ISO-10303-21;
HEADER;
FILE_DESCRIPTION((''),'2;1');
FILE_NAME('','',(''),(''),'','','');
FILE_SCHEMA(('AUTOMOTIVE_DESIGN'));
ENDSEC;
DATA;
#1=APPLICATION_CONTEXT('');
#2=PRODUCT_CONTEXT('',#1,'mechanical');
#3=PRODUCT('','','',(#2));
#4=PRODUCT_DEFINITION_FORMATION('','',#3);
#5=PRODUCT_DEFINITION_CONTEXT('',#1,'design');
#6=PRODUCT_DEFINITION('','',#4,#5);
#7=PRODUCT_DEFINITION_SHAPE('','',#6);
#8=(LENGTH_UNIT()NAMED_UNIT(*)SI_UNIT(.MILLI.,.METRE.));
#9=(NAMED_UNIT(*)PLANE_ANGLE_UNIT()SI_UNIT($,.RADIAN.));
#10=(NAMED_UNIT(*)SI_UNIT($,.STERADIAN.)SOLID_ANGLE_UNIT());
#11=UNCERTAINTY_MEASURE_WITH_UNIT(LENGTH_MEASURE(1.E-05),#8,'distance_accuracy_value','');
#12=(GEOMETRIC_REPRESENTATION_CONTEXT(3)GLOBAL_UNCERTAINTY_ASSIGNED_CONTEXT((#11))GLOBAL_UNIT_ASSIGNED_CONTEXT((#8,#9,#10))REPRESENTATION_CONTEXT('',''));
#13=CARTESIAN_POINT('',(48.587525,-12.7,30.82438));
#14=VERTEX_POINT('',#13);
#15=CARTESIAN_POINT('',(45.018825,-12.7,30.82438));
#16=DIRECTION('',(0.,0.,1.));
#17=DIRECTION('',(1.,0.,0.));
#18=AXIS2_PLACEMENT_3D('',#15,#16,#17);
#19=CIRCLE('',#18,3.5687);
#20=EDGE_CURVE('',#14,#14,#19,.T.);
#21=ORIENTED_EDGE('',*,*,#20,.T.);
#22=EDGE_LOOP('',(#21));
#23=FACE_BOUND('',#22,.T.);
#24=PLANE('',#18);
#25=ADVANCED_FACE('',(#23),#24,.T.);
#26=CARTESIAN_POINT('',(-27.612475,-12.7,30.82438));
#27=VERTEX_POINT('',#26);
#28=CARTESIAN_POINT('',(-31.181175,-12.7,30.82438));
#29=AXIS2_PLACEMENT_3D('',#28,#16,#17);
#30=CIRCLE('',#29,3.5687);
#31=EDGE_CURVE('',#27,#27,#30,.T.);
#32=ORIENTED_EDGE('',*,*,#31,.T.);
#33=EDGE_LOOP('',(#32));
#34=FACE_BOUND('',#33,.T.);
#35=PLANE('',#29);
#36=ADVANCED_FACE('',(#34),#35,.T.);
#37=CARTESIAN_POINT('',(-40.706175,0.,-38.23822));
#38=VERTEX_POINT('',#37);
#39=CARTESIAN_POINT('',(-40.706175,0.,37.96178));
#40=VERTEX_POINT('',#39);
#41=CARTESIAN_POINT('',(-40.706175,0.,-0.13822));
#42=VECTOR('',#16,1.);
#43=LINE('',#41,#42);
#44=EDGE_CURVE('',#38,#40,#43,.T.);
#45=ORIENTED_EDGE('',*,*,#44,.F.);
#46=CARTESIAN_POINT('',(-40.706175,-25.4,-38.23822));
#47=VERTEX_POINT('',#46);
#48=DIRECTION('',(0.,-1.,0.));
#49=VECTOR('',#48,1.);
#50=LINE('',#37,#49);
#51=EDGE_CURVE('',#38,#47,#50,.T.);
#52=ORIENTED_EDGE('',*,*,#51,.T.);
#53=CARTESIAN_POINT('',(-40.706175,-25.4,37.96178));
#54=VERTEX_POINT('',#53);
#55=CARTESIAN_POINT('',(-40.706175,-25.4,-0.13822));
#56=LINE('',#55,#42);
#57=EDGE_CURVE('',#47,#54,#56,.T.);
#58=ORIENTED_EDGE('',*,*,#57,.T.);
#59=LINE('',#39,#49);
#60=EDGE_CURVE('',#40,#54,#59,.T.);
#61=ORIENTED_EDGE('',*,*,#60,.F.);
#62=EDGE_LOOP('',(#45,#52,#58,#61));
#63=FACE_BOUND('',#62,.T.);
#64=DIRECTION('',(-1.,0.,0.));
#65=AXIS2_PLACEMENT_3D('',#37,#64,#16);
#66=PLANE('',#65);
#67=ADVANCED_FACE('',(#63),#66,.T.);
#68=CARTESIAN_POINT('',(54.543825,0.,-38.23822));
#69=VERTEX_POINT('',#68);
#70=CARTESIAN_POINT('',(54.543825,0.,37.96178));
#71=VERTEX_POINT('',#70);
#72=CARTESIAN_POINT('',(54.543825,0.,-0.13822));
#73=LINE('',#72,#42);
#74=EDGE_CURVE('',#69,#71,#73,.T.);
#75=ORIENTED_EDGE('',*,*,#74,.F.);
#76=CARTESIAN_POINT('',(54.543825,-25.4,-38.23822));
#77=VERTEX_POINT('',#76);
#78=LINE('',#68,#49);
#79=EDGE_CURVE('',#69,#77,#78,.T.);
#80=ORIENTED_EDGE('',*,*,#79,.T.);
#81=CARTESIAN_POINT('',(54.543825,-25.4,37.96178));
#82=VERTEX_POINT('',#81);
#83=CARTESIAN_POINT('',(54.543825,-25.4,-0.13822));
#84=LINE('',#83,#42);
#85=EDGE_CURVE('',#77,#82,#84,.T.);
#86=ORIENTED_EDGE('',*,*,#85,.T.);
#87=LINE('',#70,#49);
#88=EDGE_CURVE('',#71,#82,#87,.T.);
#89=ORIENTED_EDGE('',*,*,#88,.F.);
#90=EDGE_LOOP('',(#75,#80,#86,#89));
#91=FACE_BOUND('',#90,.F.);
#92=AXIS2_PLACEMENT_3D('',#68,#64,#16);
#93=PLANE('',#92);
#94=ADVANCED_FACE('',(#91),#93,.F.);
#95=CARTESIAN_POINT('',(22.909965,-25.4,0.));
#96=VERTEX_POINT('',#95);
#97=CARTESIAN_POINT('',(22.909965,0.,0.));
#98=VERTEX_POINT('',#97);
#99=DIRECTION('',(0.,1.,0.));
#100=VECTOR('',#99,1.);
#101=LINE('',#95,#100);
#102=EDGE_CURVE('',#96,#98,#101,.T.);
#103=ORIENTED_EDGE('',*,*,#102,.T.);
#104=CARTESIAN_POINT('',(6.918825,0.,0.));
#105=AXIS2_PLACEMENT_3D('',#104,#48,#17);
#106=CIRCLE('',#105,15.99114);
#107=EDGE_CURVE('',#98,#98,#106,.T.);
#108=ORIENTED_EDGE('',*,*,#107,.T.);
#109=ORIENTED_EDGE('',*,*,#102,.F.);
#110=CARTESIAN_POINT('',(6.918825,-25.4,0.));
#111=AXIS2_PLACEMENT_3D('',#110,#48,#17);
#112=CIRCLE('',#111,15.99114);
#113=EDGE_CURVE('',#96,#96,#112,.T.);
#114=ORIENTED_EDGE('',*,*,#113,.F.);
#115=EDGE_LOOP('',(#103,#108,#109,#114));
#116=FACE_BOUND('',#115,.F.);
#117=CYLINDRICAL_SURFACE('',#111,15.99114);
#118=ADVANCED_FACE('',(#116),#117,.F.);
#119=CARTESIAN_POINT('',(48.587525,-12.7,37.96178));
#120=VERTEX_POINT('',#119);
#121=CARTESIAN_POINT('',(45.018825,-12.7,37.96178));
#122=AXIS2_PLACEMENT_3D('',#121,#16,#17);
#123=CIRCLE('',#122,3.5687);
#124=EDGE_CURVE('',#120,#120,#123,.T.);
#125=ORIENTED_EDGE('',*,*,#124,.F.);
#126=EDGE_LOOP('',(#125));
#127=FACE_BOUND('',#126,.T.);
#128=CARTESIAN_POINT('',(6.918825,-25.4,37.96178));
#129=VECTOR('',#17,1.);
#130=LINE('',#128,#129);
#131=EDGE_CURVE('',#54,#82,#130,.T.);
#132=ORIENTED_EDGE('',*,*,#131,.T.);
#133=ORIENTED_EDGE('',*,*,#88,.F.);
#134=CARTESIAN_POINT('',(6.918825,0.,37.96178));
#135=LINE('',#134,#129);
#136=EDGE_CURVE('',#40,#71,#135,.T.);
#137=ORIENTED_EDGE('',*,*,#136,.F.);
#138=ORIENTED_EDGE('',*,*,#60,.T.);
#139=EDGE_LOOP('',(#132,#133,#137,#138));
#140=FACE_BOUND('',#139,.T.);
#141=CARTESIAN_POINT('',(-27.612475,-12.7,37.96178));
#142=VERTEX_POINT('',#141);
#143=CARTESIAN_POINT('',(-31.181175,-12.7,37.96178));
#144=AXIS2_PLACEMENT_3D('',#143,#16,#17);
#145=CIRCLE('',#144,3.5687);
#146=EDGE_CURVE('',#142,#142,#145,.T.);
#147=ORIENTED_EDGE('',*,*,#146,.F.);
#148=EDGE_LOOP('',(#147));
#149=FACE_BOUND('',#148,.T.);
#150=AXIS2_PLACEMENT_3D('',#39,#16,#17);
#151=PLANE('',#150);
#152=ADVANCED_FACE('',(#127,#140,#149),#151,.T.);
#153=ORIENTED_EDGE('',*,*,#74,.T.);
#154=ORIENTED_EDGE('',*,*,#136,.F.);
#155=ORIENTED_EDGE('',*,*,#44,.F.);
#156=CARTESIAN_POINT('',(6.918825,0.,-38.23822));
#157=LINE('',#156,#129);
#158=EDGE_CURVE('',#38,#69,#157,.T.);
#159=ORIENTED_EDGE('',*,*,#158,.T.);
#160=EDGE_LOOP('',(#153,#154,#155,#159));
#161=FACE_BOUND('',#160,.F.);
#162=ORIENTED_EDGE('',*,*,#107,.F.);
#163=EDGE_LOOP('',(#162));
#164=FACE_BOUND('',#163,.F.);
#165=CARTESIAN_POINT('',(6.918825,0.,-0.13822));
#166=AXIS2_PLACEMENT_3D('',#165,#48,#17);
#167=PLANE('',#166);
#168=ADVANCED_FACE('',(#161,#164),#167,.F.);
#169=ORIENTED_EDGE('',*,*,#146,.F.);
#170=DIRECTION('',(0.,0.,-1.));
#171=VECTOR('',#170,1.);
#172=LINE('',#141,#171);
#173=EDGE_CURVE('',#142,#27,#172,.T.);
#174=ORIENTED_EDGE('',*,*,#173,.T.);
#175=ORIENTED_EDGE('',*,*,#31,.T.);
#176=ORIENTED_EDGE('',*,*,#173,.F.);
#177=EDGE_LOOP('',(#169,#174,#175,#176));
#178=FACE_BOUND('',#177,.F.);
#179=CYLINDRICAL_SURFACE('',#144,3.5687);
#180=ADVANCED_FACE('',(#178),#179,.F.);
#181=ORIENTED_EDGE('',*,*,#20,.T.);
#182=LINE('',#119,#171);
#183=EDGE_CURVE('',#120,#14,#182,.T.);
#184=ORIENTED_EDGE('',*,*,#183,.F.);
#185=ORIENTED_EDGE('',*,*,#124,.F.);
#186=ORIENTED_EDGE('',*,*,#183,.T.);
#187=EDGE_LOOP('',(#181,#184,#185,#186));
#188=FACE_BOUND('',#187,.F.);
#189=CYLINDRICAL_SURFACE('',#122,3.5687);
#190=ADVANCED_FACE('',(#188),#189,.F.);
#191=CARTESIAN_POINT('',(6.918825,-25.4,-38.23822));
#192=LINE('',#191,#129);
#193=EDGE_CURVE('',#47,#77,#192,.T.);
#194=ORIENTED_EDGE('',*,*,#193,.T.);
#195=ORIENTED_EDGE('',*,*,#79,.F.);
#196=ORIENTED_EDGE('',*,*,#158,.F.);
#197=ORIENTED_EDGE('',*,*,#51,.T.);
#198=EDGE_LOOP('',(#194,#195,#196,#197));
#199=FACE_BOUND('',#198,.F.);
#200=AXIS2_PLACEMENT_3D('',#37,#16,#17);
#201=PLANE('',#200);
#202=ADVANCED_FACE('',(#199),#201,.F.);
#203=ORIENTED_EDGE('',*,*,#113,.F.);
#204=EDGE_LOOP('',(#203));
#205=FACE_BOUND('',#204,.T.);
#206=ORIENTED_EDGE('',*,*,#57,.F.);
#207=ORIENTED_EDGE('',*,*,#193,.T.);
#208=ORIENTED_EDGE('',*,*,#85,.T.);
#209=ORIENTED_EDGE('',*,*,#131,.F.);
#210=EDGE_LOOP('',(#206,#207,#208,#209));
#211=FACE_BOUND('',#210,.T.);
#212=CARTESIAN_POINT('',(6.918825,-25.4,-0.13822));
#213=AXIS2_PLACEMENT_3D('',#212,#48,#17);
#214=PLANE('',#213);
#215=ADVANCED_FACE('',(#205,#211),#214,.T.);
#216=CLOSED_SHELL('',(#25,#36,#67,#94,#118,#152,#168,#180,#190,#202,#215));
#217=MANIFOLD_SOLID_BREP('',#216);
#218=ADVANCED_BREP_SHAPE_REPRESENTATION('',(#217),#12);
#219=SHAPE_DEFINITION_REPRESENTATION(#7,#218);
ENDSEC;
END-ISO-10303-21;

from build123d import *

# Parameters (mm, degrees)
F0_W     = 95.25
F0_H     = 76.2
F1_DEPTH = 25.4
F2_R     = 15.99114
F3_DEPTH = 47.498
F4_R     = 3.5687
F5_DEPTH = 7.1374


with BuildPart() as f1:
    # F0 (on Front) → F1 (new body)
    with BuildSketch(Plane.XZ):
        with Locations((6.918825, -0.13822)):
            Rectangle(F0_W, F0_H)
    extrude(amount=F1_DEPTH)

    # F2 (on face) → F3 (cut)
    with BuildSketch(Plane.XZ.offset(25.4)):
        with Locations((6.918825, 0)):
            Circle(F2_R)
    extrude(amount=-F3_DEPTH, mode=Mode.SUBTRACT)

    # F4 (on face) → F5 (cut)
    with BuildSketch(Plane.XY.offset(37.96178)):
        with Locations((-31.181175, -12.7)):
            Circle(F4_R)
        with BuildLine():
            ThreePointArc((41.450125, -12.7), (45.018825, -16.2687), (48.587525, -12.7))
            ThreePointArc((48.587525, -12.7), (45.018825, -9.1313), (41.450125, -12.7))
        make_face()
    extrude(amount=-F5_DEPTH, mode=Mode.SUBTRACT)


solid = f1.part
